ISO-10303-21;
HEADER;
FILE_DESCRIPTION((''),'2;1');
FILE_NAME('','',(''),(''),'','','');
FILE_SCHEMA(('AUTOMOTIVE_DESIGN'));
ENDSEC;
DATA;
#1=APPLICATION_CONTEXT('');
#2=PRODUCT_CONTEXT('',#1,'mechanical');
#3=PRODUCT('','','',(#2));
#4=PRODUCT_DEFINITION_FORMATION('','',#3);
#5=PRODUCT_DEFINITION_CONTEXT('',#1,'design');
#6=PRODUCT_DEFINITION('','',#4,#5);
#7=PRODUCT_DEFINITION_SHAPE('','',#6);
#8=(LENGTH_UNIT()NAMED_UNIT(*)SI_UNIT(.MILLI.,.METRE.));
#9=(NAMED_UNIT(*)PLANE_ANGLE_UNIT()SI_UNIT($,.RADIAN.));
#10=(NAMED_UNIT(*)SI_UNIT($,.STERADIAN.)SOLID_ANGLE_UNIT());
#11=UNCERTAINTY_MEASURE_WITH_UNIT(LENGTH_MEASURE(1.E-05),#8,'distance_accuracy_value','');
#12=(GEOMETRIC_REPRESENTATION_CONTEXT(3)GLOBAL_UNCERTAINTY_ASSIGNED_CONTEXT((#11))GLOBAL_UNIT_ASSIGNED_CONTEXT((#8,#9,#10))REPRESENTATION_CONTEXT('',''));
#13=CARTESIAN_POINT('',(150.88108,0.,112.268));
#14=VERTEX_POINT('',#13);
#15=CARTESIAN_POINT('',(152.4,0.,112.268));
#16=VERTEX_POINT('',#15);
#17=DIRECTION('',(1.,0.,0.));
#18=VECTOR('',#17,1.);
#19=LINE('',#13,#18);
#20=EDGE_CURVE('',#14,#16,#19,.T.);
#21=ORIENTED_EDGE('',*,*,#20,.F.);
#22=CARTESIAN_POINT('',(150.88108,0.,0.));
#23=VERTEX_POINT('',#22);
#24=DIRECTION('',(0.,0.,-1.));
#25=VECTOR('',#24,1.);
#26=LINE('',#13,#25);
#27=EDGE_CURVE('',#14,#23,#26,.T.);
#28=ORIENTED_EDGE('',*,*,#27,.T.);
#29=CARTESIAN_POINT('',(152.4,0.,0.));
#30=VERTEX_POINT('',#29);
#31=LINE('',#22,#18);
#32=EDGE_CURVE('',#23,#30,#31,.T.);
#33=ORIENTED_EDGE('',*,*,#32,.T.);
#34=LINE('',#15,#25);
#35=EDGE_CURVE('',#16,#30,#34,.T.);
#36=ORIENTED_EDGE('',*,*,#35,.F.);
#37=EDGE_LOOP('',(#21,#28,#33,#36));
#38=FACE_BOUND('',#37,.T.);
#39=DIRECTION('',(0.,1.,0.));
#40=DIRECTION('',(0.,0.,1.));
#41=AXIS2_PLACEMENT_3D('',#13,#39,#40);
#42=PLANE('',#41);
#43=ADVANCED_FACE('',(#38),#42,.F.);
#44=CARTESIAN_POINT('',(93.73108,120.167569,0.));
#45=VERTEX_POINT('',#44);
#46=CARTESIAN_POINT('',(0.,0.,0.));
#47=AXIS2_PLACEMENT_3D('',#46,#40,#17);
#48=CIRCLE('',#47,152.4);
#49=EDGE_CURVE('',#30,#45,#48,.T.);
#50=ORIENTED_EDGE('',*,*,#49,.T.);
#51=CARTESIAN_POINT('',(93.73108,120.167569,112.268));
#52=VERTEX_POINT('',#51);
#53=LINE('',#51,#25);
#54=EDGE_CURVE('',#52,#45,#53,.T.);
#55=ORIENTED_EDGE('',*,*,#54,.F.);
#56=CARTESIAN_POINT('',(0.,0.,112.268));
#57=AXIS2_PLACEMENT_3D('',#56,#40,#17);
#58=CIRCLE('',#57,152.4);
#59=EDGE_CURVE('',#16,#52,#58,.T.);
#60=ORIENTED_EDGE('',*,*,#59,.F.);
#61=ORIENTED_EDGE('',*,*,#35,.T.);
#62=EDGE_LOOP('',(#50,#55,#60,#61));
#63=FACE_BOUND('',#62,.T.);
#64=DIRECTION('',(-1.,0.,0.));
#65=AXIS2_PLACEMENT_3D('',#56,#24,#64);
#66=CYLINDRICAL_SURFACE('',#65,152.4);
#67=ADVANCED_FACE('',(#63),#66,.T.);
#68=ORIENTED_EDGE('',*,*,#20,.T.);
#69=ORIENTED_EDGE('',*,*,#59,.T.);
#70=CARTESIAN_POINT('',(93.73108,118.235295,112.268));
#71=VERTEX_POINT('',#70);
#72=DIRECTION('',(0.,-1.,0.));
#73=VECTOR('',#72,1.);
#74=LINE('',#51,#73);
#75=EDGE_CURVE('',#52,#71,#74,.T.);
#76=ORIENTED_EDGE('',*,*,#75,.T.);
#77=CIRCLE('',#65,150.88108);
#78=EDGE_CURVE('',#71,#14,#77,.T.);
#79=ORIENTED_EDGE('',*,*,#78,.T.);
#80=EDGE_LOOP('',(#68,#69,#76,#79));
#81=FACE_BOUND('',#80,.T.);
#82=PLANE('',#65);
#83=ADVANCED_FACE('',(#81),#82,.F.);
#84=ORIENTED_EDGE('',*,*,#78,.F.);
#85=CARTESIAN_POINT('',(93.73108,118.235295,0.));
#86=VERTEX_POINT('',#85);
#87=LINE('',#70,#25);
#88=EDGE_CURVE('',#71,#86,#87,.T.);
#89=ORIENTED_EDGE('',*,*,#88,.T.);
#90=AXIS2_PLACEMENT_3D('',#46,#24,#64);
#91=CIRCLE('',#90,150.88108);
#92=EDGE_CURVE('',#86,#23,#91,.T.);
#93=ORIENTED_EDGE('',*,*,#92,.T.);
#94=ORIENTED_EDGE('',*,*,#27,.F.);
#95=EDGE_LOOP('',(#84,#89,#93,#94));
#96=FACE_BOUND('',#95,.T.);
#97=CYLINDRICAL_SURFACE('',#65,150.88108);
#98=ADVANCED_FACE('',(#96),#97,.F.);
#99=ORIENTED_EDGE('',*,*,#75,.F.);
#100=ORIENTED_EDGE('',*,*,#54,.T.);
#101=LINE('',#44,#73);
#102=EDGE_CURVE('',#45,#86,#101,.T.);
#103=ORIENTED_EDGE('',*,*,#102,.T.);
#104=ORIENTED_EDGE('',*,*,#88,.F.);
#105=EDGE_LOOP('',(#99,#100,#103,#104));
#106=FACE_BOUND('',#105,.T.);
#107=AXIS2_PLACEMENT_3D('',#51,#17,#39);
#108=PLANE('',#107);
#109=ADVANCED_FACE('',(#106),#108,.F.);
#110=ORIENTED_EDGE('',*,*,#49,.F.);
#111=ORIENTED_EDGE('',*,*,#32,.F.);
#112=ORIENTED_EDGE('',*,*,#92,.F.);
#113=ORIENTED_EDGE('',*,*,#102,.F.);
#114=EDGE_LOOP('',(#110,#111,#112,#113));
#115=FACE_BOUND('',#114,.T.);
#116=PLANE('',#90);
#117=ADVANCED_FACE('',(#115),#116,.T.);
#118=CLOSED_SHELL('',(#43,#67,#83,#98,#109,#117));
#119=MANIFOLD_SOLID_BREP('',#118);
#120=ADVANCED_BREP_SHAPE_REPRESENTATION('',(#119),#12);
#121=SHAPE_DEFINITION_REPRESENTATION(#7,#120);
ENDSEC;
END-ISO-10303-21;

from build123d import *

# Parameters (mm, degrees)
INNER_RING_RIGHT_SIDE_DEPTH = 112.268


with BuildPart() as part:
    # Sketch2 → Inner Ring - Right Side (new body)
    with BuildSketch(Plane.XY):
        with BuildLine():
            Line((93.73108, 120.167569011), (93.73108, 118.235294832))
            ThreePointArc((93.73108, 118.235294832), (135.844298522, 65.661456434), (150.88108, 0))
            Line((150.88108, 0), (152.4, 0))
            ThreePointArc((152.4, 0), (136.949583044, 66.862333971), (93.73108, 120.167569011))
        make_face()
    extrude(amount=INNER_RING_RIGHT_SIDE_DEPTH)


solid = part.part
